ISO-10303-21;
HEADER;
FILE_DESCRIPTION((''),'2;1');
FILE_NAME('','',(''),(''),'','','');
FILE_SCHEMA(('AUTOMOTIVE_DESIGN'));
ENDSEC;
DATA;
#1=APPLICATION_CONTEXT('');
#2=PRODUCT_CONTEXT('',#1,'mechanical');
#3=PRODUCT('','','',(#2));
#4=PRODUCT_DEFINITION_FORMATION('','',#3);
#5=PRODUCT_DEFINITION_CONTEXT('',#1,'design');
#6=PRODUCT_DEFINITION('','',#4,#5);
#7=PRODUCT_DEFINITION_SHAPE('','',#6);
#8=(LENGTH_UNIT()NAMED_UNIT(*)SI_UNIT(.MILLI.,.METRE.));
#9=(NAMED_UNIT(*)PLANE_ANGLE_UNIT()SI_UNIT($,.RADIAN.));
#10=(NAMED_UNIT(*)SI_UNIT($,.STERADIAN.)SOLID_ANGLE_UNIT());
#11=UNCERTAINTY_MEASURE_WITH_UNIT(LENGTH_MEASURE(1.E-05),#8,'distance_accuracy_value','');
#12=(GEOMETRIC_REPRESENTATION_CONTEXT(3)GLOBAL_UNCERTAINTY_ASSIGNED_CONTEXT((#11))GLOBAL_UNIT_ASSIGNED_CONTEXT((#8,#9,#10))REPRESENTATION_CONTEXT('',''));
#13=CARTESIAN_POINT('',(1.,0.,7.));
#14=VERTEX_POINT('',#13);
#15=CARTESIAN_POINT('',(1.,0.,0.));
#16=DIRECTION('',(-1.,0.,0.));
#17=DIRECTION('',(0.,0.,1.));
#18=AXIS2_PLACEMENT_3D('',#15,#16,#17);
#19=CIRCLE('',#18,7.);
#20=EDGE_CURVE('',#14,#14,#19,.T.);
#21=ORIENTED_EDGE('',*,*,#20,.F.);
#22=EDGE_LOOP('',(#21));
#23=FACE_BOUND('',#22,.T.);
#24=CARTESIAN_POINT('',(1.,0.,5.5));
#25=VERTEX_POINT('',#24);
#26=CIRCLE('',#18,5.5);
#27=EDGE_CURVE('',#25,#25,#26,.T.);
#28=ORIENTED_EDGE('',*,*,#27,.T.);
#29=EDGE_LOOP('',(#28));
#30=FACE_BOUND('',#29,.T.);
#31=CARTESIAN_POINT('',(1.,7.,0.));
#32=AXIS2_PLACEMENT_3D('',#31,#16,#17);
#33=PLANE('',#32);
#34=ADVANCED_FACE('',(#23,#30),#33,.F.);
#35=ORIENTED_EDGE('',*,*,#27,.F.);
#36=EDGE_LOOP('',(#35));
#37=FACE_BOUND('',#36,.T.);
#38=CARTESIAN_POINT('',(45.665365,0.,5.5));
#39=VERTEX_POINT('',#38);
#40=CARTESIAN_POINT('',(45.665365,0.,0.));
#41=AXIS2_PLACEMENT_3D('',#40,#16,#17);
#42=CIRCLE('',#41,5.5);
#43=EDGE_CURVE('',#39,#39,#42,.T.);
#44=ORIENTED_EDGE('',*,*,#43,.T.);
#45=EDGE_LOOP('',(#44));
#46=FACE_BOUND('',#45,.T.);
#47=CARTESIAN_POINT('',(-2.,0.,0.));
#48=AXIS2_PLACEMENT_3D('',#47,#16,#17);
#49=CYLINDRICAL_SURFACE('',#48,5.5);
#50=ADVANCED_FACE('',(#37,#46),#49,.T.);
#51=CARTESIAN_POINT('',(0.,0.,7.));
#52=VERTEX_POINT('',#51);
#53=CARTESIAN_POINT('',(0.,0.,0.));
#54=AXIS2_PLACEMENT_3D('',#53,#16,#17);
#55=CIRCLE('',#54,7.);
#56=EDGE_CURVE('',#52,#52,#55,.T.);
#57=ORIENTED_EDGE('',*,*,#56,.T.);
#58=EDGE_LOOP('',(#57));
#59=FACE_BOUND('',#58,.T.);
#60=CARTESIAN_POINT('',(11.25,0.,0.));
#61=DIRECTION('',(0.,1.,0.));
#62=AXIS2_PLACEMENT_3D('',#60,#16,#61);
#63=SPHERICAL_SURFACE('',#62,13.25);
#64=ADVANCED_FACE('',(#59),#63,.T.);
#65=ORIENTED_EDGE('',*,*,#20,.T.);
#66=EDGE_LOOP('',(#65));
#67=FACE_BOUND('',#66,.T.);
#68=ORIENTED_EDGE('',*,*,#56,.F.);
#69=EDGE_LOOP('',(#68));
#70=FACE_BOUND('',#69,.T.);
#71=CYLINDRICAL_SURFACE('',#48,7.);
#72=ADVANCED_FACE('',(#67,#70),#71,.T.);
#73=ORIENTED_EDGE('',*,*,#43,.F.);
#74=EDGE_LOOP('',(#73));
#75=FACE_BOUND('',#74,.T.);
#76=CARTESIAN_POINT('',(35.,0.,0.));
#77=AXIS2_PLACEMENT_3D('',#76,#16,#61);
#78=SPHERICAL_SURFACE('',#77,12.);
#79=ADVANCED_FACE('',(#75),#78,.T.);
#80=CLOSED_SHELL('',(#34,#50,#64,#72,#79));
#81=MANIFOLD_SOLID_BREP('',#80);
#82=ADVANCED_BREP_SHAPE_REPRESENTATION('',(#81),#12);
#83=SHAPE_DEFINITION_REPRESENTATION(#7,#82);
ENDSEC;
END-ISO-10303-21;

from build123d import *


with BuildPart() as part:
    # 草图1 → 旋转1 (revolve)
    with BuildSketch(Plane.XY):
        with BuildLine():
            Line((0, 7), (1, 7))
            Line((1, 7), (1, 5.5))
            Line((1, 5.5), (45.665364504, 5.5))
            ThreePointArc((45.665364504, 5.5), (46.661568806, 2.82980794), (47, 0))
            Line((47, 0), (-2, 0))
            ThreePointArc((-2, 0), (-1.490192306, 3.640054945), (0, 7))
        make_face()
    revolve(axis=Axis((-2, 0, 0), (1, 0, 0)))


solid = part.part
